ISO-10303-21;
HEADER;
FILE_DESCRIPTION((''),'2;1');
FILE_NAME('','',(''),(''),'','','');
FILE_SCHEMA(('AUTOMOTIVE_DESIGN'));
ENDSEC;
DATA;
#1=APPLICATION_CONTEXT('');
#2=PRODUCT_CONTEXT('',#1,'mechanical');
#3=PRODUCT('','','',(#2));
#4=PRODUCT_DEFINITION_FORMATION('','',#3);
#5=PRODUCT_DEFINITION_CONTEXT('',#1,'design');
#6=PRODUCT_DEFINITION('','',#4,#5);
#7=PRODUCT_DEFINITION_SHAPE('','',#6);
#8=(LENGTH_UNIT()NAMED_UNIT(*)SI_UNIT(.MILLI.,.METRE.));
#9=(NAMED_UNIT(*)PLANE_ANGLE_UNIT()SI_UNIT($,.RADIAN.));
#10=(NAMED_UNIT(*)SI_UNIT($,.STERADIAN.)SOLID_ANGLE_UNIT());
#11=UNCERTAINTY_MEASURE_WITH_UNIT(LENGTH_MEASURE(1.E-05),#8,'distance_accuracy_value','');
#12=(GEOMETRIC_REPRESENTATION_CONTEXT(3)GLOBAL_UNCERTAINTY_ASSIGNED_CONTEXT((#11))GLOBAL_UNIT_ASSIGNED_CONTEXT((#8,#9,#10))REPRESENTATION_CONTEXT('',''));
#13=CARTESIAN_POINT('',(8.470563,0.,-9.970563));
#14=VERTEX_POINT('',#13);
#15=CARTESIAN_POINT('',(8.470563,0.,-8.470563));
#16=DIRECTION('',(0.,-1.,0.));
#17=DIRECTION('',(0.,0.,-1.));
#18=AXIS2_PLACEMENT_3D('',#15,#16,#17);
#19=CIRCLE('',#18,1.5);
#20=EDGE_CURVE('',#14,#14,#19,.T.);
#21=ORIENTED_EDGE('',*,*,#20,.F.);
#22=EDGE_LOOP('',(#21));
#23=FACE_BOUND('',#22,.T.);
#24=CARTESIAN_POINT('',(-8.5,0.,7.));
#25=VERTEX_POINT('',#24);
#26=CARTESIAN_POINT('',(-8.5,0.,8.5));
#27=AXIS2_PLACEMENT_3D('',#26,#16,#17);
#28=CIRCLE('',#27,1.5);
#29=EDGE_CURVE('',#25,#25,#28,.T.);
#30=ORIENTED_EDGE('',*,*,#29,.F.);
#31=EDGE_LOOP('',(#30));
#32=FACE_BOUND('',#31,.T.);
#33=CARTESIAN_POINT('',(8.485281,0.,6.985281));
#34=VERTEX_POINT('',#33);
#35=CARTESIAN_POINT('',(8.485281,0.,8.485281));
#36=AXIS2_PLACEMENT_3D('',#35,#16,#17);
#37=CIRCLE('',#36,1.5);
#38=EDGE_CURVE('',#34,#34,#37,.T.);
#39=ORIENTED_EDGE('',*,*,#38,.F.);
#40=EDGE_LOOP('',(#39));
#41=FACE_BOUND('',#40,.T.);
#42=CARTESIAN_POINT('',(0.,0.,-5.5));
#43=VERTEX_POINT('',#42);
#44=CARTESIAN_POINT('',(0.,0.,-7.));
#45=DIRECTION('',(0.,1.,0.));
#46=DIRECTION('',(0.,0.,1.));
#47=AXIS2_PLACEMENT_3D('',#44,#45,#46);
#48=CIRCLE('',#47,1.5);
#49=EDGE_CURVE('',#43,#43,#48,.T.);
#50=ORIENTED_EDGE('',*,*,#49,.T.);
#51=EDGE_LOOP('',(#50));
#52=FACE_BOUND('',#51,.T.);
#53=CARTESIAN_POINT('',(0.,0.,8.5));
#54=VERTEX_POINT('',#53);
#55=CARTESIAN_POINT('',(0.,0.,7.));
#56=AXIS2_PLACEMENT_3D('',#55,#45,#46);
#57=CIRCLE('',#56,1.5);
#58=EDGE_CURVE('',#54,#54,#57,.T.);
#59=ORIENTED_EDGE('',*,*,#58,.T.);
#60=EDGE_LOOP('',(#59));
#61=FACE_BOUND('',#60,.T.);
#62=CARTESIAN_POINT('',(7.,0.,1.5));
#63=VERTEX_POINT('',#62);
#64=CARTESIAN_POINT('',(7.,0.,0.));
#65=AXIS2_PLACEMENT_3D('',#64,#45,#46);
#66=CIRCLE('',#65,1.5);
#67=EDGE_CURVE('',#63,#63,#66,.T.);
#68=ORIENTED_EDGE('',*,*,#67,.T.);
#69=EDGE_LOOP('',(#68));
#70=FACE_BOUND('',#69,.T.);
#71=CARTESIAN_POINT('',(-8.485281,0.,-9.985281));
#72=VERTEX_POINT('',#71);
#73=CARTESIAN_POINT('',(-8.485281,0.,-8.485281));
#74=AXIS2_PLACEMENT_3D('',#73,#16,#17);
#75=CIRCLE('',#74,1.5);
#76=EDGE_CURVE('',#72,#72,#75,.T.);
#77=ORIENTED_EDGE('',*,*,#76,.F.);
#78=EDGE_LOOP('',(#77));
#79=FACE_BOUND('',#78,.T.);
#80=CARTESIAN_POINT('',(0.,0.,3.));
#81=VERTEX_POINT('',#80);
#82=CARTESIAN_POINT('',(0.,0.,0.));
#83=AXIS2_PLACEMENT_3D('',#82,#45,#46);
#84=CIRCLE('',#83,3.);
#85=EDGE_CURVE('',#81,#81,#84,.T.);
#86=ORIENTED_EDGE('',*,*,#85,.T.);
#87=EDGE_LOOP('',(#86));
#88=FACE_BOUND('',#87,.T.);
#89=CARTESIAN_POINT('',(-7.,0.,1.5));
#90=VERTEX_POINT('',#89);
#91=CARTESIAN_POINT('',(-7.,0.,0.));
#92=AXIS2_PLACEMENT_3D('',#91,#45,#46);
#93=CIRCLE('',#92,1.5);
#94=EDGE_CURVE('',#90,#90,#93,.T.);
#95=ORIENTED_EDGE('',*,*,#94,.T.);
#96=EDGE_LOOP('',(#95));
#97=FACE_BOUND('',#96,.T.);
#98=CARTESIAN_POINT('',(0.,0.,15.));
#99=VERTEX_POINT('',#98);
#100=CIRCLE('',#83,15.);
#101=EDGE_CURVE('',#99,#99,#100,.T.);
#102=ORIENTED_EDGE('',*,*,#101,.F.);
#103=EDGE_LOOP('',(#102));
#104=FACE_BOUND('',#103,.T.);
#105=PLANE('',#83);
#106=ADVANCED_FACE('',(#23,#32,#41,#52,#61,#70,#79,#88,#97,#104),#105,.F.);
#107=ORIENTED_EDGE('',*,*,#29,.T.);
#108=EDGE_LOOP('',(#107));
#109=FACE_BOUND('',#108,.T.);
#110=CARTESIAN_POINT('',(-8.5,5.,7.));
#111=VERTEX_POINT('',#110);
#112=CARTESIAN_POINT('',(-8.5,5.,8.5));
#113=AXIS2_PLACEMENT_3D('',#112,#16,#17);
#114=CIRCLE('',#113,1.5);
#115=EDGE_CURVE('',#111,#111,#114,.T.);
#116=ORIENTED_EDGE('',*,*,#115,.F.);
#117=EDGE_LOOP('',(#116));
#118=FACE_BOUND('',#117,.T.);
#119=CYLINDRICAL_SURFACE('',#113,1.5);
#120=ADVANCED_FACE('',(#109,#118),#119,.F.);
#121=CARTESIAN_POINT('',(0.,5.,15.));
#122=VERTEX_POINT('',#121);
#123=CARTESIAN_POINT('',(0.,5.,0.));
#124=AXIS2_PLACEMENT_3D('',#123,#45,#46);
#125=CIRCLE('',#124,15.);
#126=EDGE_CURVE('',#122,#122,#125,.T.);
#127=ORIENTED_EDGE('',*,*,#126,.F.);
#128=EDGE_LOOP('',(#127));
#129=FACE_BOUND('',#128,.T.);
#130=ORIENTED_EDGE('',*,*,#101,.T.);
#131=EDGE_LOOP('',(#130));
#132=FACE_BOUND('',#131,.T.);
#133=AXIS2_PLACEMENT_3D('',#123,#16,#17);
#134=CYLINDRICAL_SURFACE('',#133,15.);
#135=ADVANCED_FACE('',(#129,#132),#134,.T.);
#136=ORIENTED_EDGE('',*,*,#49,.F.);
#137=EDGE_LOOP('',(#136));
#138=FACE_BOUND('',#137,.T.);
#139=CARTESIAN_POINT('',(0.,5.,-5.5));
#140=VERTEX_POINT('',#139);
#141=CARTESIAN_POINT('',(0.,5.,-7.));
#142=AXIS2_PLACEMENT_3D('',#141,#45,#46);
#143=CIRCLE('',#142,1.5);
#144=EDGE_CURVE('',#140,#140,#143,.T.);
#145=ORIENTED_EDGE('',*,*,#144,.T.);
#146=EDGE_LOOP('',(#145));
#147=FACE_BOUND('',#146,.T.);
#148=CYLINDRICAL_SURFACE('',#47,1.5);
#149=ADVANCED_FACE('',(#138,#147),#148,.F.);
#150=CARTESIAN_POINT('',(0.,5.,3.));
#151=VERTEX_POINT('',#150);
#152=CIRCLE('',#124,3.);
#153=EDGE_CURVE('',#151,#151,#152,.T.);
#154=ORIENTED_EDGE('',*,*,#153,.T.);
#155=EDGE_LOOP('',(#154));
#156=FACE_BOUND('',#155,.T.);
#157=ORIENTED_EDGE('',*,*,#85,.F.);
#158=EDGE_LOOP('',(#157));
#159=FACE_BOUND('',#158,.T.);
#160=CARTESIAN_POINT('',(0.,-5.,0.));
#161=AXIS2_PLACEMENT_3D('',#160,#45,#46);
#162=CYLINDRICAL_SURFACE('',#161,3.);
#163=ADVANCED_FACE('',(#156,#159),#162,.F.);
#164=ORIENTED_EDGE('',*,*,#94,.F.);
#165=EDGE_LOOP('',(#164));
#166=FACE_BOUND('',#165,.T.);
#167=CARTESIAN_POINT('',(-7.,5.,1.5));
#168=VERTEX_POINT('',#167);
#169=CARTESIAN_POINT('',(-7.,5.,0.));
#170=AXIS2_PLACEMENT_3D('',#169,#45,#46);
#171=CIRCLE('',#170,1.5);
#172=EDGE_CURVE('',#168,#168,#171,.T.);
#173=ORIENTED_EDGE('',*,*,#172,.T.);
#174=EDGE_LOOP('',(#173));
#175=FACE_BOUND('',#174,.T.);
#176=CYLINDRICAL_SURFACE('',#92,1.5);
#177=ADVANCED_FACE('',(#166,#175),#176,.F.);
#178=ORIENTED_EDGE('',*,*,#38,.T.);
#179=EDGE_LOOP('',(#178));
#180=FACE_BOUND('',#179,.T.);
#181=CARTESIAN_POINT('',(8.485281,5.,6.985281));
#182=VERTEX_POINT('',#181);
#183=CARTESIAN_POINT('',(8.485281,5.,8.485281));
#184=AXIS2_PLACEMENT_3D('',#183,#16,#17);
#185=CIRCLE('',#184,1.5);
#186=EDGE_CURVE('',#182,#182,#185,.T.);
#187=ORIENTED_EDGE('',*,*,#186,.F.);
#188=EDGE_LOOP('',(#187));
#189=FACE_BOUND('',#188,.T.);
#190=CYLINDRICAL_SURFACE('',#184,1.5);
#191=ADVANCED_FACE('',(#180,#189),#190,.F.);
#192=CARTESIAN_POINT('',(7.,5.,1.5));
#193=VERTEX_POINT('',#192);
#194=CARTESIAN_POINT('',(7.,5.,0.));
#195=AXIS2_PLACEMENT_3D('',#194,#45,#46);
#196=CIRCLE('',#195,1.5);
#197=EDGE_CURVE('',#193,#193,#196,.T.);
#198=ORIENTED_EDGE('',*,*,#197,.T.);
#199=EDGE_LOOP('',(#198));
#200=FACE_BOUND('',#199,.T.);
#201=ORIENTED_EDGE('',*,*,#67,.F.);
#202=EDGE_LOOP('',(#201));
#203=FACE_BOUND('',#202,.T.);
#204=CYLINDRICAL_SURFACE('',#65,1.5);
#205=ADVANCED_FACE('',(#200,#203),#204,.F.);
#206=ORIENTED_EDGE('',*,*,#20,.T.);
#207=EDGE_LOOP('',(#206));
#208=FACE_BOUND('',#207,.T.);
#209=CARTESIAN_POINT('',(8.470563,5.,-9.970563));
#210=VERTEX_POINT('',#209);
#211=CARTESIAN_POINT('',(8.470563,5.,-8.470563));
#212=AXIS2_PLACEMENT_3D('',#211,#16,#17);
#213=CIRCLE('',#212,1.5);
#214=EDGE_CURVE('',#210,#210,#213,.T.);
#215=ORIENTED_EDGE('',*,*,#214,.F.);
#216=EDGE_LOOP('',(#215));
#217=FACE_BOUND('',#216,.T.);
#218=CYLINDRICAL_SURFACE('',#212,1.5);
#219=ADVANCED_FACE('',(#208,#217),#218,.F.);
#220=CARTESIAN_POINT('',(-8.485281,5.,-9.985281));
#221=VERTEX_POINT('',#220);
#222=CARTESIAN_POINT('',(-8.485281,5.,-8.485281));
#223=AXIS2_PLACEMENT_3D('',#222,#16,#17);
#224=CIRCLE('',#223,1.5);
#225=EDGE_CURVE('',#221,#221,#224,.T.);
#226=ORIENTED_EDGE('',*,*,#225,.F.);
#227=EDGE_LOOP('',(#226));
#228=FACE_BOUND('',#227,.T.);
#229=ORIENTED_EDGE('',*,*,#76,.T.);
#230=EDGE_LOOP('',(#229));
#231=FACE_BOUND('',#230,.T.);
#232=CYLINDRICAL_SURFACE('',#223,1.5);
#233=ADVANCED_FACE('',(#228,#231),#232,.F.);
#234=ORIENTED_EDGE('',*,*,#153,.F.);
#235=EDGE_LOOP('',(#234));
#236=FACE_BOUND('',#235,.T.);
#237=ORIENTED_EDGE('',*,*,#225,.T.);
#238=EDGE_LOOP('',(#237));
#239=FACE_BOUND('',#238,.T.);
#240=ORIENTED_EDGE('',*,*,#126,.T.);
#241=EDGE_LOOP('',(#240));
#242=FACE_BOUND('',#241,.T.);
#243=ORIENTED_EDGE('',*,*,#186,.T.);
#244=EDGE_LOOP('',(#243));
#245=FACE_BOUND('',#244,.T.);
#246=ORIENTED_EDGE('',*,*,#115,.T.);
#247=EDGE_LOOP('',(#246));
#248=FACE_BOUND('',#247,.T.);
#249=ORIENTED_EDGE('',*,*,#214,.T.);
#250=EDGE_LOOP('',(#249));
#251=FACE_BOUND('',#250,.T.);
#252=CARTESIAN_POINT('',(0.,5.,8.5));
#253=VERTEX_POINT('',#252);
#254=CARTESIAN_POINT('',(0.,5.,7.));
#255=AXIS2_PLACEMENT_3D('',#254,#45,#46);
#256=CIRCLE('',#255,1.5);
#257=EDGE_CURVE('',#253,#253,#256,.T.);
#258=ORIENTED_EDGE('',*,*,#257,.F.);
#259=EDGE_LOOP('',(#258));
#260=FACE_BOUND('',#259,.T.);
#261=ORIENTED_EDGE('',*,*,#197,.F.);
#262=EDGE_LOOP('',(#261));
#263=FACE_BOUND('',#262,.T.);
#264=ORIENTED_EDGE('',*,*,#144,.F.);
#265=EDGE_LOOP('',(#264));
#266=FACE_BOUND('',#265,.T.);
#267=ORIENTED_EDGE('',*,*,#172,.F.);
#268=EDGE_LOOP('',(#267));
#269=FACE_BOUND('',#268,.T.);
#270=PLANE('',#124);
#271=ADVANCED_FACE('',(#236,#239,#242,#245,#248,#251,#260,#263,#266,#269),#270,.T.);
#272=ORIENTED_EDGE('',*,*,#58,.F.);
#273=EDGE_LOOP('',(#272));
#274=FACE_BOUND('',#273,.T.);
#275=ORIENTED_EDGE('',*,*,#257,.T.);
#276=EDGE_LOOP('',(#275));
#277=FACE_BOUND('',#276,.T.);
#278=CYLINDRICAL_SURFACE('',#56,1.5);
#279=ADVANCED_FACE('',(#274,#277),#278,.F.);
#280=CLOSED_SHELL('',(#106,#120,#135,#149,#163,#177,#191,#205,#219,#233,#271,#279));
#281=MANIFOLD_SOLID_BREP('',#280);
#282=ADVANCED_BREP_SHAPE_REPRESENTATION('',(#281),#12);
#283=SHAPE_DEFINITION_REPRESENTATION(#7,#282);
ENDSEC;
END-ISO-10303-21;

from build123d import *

# Parameters (mm, degrees)
SKETCH1_R           = 15
BOSS_EXTRUDE1_DEPTH = 5
SKETCH3_R           = 1.5
CUT_EXTRUDE2_DEPTH  = 5
SKETCH4_R           = 1.5
CUT_EXTRUDE3_DEPTH  = 5
SKETCH5_R           = 3
CUT_EXTRUDE4_DEPTH  = 10


with BuildPart() as part:
    # Sketch1 → Boss-Extrude1 (new body)
    with BuildSketch(Plane(origin=(0, 0, 0), x_dir=(1, 0, 0), z_dir=(0, 1, 0))):
        Circle(SKETCH1_R)
    extrude(amount=BOSS_EXTRUDE1_DEPTH)

    # Sketch3 → Cut-Extrude2 (cut)
    with BuildSketch(Plane.XZ):
        with Locations((-8.5, 8.5)):
            Circle(SKETCH3_R)
        with Locations((8.485281374, 8.485281374)):
            Circle(SKETCH3_R)
        with Locations((-8.485281374, -8.485281374)):
            Circle(SKETCH3_R)
        with Locations((8.470562748, -8.470562748)):
            Circle(SKETCH3_R)
    extrude(amount=-CUT_EXTRUDE2_DEPTH, mode=Mode.SUBTRACT)

    # Sketch4 → Cut-Extrude3 (cut)
    with BuildSketch(Plane(origin=(0, 5, 0), x_dir=(1, 0, 0), z_dir=(0, 1, 0))):
        with Locations((7, 0)):
            Circle(SKETCH4_R)
        with Locations((0, -7)):
            Circle(SKETCH4_R)
        with Locations((-7, 0)):
            Circle(SKETCH4_R)
        with Locations((0, 7)):
            Circle(SKETCH4_R)
    extrude(amount=-CUT_EXTRUDE3_DEPTH, mode=Mode.SUBTRACT)

    # Sketch5 → Cut-Extrude4 (cut)
    with BuildSketch(Plane(origin=(0, 5, 0), x_dir=(1, 0, 0), z_dir=(0, 1, 0))):
        Circle(SKETCH5_R)
    extrude(amount=-CUT_EXTRUDE4_DEPTH, mode=Mode.SUBTRACT)


solid = part.part
